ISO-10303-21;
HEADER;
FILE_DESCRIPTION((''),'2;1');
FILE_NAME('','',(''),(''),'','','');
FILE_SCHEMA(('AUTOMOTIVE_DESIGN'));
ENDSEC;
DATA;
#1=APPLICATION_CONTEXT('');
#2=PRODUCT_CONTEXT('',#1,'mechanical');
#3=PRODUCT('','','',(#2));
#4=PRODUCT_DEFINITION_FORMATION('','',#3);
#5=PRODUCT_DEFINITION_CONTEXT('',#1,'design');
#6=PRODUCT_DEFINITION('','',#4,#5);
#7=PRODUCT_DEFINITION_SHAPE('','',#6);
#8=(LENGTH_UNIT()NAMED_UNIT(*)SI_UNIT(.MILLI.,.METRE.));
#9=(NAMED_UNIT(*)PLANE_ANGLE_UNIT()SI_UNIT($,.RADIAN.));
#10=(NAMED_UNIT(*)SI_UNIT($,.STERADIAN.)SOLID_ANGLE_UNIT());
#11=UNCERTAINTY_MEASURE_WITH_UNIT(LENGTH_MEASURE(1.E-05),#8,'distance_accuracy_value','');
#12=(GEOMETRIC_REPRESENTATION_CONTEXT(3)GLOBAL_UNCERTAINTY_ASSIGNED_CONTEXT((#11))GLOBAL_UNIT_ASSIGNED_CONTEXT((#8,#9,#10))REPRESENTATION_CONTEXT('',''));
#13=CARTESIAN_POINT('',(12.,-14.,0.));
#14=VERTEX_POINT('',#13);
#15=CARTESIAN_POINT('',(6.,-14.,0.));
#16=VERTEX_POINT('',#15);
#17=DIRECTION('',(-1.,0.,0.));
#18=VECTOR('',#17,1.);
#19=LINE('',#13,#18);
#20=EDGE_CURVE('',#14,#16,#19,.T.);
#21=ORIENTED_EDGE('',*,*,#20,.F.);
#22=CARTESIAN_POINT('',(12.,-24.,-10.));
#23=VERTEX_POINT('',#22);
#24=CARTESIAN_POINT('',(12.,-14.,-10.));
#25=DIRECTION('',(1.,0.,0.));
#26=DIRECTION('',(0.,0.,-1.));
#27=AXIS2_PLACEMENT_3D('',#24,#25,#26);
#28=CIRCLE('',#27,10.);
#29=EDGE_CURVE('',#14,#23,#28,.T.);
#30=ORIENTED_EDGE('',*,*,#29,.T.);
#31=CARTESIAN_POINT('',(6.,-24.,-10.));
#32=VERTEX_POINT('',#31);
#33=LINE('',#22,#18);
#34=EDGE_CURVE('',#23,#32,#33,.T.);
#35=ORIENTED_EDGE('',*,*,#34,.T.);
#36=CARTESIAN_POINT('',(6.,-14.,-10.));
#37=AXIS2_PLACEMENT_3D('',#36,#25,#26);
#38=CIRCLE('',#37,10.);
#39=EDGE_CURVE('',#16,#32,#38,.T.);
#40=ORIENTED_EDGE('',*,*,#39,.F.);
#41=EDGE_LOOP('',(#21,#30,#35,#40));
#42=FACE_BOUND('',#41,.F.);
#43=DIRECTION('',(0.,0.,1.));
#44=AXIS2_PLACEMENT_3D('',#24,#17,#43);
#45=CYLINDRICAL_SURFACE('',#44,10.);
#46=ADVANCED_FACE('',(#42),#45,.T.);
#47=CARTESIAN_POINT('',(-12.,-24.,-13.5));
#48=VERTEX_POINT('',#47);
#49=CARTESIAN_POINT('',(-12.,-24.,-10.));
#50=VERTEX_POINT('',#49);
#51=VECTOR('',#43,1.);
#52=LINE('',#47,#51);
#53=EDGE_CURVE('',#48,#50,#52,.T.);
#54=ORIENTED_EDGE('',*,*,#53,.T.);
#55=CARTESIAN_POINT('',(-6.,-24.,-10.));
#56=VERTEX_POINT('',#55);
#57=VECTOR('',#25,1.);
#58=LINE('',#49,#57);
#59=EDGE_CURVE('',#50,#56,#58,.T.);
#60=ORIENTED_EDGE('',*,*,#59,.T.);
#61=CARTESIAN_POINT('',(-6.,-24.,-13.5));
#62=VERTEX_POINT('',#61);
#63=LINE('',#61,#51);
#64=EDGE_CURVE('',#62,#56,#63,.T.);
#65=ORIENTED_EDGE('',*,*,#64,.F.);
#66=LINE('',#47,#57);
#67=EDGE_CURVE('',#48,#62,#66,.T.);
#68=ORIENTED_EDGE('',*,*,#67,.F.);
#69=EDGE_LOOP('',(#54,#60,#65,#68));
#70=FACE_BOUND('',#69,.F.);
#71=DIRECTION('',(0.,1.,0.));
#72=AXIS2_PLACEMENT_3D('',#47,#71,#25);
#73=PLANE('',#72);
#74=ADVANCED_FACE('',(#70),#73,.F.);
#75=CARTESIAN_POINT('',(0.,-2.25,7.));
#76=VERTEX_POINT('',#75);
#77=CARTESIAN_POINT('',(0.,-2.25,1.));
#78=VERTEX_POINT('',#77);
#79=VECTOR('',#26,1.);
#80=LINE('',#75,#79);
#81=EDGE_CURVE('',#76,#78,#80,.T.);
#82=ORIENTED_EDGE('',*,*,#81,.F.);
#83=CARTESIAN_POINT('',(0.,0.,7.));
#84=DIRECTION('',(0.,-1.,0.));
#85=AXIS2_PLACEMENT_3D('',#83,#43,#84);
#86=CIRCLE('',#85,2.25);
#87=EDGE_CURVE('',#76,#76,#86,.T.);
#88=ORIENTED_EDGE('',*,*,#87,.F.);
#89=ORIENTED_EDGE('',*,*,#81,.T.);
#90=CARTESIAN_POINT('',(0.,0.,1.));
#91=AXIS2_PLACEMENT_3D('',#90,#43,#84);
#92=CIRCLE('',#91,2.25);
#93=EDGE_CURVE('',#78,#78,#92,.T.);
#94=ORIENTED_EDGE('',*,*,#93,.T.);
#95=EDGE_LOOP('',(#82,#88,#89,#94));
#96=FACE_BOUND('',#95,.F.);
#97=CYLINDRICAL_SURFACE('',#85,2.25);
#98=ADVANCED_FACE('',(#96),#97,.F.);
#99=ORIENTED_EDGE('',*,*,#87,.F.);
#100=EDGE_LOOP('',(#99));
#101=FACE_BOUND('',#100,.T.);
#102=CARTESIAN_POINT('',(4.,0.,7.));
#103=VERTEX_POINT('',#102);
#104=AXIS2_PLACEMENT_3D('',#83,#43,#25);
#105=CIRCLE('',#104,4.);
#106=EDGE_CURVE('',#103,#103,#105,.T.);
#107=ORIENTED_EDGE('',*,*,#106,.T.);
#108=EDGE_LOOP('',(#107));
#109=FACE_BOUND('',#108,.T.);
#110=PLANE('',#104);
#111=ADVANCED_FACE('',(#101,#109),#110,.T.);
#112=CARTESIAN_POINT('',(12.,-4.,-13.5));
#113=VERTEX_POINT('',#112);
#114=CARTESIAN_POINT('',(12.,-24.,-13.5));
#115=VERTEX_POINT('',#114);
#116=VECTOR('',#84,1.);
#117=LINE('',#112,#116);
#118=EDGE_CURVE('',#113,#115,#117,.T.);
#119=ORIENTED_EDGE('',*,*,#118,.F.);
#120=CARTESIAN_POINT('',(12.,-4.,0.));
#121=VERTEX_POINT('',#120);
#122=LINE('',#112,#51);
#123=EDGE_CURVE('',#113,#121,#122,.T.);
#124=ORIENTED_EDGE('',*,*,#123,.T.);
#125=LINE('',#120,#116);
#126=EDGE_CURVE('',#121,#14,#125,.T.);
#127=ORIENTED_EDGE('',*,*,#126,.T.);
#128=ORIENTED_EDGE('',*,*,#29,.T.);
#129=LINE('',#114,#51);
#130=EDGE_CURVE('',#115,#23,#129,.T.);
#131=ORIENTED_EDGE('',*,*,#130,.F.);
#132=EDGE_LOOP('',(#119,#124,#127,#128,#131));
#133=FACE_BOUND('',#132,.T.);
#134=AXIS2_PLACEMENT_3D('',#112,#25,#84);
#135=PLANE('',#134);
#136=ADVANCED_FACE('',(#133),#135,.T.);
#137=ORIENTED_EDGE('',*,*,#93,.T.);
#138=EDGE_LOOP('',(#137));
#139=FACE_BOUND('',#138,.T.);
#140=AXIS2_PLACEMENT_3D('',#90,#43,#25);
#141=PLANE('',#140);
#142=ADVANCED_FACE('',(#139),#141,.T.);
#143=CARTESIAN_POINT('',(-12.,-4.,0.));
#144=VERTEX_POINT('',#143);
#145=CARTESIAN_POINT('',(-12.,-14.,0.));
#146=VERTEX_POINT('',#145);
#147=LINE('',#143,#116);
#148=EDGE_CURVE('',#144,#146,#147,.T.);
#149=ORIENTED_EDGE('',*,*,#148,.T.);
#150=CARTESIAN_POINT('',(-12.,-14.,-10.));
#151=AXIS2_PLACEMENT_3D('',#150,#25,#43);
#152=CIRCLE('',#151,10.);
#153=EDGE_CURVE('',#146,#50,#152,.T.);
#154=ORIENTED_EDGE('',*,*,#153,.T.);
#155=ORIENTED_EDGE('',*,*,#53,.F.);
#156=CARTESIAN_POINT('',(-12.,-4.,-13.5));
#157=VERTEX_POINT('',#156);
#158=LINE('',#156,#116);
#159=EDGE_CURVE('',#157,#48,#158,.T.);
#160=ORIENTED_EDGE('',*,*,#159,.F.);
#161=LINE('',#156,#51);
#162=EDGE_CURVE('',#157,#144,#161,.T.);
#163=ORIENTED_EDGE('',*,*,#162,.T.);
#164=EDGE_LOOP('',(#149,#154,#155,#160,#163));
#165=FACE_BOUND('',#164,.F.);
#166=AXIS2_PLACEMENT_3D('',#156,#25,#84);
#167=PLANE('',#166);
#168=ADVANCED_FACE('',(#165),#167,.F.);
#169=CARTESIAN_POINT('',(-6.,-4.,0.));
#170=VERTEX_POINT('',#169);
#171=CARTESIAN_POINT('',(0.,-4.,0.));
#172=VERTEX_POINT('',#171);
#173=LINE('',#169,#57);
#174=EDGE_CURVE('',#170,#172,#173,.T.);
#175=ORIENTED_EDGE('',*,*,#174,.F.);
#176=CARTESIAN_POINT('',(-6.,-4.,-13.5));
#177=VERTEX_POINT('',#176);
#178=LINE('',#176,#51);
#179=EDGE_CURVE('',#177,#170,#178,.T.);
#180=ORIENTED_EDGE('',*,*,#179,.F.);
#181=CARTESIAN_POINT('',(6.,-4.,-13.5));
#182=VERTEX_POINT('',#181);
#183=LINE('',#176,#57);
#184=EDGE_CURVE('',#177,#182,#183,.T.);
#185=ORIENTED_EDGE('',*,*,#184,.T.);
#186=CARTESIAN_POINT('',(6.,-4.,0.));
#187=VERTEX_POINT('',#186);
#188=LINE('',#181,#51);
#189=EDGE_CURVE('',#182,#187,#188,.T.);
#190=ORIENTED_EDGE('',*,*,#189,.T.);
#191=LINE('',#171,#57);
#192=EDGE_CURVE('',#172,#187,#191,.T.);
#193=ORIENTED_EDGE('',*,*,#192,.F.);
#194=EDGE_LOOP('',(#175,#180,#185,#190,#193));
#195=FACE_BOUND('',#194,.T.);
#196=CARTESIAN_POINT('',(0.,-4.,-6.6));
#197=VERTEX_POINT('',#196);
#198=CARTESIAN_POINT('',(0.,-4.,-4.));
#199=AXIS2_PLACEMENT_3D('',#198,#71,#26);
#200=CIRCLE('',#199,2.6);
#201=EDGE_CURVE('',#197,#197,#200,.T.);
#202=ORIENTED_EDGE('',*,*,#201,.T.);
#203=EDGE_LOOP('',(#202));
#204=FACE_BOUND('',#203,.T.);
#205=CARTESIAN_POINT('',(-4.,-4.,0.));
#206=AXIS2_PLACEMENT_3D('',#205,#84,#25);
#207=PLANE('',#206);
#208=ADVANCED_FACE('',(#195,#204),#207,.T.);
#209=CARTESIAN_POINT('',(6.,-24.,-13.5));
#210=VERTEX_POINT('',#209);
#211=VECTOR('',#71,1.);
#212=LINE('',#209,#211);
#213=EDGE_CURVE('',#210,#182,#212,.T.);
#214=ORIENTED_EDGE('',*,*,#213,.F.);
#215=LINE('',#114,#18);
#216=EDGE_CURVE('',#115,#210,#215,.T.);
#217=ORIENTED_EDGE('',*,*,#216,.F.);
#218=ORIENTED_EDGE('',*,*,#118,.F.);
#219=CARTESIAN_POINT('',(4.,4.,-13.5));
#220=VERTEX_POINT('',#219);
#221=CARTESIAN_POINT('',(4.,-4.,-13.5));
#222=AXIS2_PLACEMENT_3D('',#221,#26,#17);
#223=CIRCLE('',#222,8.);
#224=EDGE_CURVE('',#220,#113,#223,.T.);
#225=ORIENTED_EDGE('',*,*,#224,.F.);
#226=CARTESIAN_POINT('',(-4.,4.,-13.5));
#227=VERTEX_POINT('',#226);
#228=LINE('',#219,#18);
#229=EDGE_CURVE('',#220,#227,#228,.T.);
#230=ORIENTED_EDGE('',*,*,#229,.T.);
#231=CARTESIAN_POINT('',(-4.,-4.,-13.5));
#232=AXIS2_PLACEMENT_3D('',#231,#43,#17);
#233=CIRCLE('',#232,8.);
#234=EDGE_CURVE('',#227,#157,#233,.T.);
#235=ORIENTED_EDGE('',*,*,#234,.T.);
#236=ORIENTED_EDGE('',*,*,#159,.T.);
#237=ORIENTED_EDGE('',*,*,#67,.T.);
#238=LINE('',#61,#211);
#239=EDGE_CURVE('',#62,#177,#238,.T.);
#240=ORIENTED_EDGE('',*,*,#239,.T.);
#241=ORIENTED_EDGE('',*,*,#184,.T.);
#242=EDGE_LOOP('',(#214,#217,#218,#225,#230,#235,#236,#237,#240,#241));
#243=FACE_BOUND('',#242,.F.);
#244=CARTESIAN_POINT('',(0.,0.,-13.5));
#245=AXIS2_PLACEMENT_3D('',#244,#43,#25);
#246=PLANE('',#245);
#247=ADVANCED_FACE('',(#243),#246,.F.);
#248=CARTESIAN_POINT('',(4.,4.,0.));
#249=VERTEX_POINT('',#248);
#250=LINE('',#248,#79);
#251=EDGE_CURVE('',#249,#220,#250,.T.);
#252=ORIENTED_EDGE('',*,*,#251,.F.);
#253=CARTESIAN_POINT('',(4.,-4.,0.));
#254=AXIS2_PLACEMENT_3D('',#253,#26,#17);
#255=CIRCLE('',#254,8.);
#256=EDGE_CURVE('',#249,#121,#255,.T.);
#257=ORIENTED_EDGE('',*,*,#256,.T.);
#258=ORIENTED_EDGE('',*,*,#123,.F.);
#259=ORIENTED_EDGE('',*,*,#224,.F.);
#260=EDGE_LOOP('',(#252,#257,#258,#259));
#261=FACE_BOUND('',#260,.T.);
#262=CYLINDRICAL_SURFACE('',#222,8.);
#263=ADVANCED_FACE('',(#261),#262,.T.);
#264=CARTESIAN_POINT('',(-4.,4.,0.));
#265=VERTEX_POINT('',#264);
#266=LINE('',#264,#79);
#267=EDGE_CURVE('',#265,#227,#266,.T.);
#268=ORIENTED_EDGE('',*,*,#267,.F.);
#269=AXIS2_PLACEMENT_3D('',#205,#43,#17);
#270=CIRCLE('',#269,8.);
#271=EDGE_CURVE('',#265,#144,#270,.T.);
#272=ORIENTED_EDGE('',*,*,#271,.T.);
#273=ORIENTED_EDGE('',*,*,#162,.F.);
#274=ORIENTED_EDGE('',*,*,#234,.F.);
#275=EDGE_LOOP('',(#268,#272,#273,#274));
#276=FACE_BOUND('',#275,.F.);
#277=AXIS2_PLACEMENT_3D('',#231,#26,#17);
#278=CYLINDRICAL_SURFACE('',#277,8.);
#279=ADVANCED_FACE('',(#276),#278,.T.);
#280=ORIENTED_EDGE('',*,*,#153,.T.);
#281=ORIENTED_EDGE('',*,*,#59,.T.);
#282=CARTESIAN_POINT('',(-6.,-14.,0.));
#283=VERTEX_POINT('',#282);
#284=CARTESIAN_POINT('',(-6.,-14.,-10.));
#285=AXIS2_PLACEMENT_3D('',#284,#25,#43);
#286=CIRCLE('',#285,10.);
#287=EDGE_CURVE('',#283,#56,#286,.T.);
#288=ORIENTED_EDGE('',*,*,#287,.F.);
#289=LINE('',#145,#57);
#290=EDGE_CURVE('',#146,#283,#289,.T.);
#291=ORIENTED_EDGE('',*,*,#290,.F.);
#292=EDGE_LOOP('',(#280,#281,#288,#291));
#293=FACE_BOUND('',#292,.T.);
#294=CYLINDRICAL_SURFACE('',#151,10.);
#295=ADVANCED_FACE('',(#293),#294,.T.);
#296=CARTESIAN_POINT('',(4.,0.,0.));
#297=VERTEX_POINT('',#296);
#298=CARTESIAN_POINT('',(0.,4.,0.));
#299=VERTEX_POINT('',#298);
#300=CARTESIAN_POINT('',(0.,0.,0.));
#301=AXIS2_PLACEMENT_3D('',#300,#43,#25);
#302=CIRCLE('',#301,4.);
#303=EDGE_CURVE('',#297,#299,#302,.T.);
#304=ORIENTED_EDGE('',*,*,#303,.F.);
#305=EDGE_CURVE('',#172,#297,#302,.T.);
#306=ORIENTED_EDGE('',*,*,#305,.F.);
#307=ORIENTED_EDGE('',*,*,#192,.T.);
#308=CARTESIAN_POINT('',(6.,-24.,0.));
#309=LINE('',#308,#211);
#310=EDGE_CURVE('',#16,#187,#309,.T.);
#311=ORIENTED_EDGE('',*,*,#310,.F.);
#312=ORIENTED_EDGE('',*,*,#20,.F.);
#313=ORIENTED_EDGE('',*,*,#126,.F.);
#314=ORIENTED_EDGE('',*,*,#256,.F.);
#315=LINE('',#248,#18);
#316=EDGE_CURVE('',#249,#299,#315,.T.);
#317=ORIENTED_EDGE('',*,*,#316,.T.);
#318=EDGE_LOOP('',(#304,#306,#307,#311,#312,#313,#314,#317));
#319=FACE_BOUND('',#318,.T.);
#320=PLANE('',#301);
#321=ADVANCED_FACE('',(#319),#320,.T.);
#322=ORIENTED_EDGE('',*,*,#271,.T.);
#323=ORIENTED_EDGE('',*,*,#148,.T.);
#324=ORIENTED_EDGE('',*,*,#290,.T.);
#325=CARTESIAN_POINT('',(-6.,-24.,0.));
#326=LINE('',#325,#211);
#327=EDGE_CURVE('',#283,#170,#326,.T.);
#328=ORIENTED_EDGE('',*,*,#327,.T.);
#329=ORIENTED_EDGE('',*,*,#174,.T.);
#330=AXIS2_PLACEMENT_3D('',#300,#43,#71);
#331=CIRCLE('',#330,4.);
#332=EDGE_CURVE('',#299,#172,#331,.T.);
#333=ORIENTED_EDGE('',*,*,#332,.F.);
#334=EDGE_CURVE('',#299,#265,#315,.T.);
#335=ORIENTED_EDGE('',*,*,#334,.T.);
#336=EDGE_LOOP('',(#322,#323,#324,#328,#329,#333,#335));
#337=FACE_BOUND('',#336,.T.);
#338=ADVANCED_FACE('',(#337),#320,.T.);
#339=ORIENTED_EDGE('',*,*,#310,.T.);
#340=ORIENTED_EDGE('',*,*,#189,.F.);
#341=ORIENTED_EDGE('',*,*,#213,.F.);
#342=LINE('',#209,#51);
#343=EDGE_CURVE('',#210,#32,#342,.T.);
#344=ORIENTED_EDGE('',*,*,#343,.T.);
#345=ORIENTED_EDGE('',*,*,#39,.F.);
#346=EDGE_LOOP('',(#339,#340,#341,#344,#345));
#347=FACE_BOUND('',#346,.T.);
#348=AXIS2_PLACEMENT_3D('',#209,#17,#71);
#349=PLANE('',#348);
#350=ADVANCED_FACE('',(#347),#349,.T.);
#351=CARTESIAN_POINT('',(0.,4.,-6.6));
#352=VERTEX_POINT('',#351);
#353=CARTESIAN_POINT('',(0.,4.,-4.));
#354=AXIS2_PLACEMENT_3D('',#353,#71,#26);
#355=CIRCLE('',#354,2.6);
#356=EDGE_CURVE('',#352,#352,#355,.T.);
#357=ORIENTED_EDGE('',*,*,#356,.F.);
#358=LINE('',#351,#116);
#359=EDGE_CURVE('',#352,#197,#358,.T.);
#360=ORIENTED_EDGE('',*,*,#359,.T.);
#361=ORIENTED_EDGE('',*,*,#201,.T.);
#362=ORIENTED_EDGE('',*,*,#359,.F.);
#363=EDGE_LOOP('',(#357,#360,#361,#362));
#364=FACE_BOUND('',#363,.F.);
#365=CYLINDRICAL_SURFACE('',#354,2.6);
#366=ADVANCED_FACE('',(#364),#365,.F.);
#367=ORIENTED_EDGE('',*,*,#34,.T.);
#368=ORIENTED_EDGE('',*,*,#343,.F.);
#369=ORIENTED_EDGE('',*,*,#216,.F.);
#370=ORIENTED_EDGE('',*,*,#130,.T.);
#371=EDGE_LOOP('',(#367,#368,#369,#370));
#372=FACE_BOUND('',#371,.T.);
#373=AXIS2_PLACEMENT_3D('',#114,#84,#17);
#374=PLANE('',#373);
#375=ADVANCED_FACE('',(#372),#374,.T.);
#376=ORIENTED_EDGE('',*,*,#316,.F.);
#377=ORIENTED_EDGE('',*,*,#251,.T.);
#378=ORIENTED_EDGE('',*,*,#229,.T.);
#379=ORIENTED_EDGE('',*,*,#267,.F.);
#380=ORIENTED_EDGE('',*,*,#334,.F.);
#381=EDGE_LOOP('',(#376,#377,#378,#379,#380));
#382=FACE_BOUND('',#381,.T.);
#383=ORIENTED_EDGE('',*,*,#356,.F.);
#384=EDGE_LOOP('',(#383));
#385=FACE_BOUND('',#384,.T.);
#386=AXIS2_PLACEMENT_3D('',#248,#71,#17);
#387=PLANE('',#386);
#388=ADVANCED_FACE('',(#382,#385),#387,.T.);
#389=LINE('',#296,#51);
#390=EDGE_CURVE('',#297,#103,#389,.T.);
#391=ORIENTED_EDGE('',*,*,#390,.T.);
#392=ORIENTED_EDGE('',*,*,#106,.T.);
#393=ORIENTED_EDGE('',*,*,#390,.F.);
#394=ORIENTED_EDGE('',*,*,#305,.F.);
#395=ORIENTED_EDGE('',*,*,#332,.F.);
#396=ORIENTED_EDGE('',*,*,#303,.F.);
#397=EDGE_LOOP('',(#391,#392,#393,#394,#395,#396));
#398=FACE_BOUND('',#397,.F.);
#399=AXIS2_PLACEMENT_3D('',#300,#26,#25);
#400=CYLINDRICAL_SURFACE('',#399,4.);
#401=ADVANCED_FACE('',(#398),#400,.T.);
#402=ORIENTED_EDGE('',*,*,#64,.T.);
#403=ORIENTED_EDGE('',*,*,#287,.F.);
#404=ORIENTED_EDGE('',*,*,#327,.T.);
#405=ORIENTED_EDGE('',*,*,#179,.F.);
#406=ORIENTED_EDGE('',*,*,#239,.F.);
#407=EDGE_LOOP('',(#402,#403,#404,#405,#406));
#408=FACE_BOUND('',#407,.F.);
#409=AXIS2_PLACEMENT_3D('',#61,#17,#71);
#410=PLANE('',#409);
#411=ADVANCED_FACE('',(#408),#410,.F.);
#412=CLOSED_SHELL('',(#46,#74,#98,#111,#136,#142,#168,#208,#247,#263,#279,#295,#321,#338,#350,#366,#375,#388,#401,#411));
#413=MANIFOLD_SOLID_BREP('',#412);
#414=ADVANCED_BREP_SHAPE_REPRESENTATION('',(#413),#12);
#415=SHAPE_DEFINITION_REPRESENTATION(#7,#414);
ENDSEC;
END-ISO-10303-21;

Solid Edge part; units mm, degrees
sketch "Sketch1" plane through (0, 0, 0) normal (0, 0, 1) x (1, 0, 0)
  circle A0 centre (0, 0) radius 4
  dimension "D1" = 8
extrude "Protrusion1" add sketch "Sketch1" along normal blind 7
sketch "Sketch2" plane through (0, 0, 0) normal (0, 0, -1) x (-1, 0, 0)
  line L0 (-4, 4) -> (4, 4)
  line L1 (4, 4) -> (4, -4)
  line L2 (4, -4) -> (-4, -4)
  line L3 (-4, -4) -> (-4, 4)
extrude "ExtrudedProtrusion_2" add sketch "Sketch2" along normal blind 13.5
sketch "Sketch3" plane through (0, 0, -13.5) normal (0, 0, -1) x (-1, 0, 0)
  arc A0 (-4, 4) -> (-12, -4) centre (-4, -4) ccw
  line L0 (-12, -4) -> (-12, -24)
  line L1 (-12, -24) -> (-6, -24)
  line L2 (-6, -24) -> (-6, -4)
  line L3 (-6, -4) -> (6, -4)
  line L4 (6, -24) -> (6, -4)
  line L5 (12, -24) -> (6, -24)
  line L6 (12, -4) -> (12, -24)
  arc A1 (4, 4) -> (12, -4) centre (4, -4) cw
  line L7 (-4, 4) -> (4, 4)
  dimension "D1" = 20
  dimension "D2" = 12
extrude "Protrusion2" add sketch "Sketch3" against normal up to vertex (13.5 mm away)
sketch "Sketch4" plane through (0, 4, -1.5) normal (0, 1, 0) x (0, 0, -1)
  circle A0 centre (2.5, 0) radius 2.6
  dimension "D1" = 5.2
  dimension "D2" = 9.5
extrude "Cutout1" cut sketch "Sketch4" against normal through all
fillet "Round_3" radius 10 2 edges at (-9, -24, 0) (9, -24, 0)
sketch "Sketch5" plane through (0, 0, 7) normal (0, 0, 1) x (0, -1, 0)
  circle A0 centre (0, 0) radius 2.25
  dimension "D1" = 4.5
extrude "ExtrudedCutout_2" cut sketch "Sketch5" against normal blind 6
